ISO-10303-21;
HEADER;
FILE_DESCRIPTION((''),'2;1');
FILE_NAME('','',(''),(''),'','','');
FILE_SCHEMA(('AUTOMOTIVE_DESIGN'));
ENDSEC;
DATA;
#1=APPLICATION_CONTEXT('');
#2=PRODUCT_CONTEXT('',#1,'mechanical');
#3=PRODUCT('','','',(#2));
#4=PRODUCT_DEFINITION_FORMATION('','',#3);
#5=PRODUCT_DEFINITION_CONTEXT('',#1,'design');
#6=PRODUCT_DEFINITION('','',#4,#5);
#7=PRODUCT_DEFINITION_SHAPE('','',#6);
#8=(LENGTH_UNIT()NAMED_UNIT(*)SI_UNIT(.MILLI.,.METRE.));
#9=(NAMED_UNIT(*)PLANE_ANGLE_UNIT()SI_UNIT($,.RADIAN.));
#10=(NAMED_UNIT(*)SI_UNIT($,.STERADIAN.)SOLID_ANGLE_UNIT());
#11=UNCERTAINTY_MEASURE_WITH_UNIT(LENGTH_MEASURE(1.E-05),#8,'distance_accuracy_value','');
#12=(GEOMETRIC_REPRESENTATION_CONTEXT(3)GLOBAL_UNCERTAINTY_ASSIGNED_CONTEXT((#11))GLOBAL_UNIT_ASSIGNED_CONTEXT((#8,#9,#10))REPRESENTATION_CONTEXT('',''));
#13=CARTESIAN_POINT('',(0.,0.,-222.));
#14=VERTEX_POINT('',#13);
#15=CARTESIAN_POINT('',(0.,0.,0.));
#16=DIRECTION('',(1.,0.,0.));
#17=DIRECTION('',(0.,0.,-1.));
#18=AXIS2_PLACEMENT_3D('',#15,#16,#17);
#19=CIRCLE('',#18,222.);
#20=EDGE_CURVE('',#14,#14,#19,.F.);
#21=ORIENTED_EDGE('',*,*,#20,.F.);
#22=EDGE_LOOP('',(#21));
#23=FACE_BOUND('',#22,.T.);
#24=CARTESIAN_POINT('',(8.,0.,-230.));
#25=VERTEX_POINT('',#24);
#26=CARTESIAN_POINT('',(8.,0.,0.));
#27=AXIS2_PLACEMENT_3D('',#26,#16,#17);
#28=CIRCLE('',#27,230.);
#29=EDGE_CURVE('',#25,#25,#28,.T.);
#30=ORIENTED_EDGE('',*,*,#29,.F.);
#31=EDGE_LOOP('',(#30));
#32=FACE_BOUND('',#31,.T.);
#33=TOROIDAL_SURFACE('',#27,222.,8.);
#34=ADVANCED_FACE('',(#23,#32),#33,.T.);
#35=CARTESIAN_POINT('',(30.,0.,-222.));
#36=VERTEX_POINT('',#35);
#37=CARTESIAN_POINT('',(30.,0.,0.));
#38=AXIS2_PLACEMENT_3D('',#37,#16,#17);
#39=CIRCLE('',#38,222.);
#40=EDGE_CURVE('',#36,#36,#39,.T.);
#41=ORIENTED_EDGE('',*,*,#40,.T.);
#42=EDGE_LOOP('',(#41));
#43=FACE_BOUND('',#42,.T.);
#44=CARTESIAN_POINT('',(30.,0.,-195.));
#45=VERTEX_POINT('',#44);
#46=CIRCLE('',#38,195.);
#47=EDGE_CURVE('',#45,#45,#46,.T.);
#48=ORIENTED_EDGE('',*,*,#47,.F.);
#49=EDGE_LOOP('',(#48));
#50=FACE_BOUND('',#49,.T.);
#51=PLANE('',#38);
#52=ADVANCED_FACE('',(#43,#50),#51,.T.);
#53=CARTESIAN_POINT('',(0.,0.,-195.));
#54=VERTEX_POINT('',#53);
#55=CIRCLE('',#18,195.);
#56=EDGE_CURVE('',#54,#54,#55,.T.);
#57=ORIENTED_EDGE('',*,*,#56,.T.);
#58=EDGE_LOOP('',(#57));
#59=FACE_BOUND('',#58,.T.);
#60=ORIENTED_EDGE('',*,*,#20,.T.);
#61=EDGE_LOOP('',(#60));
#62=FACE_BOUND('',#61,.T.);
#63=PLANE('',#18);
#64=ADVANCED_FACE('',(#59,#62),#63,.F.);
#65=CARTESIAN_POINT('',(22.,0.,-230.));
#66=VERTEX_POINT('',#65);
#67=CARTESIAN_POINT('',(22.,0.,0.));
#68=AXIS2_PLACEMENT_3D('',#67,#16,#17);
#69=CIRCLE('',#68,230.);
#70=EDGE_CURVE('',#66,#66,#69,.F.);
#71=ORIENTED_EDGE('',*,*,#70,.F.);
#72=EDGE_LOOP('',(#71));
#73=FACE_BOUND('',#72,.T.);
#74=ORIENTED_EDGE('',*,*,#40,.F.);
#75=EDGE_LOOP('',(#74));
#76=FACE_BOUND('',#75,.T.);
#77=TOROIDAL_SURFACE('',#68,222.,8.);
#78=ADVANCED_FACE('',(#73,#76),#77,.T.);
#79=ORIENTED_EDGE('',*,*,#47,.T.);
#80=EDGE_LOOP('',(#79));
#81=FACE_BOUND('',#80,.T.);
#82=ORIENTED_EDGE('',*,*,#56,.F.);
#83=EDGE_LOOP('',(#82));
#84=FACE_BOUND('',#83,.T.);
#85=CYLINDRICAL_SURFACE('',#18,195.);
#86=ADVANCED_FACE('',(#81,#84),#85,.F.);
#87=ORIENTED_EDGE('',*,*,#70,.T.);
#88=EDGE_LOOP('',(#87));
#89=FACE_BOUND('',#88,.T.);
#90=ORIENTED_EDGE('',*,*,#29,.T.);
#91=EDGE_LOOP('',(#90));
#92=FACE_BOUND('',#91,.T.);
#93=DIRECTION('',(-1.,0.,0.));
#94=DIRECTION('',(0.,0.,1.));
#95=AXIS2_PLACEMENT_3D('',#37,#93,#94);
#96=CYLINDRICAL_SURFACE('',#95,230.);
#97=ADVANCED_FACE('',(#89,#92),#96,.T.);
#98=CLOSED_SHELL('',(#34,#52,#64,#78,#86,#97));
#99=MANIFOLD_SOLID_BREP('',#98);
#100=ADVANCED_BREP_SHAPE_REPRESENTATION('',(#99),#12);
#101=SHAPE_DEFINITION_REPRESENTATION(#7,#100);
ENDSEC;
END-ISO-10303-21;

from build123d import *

# Parameters (mm, degrees)
SKETCH1_R           = 230
BOSS_EXTRUDE1_DEPTH = 30
FILLET1_R           = 8
SKETCH2_R           = 195
CUT_EXTRUDE1_DEPTH  = 327.649659421


with BuildPart() as part:
    # Sketch1 → Boss-Extrude1 (new body)
    with BuildSketch(Plane(origin=(0, 0, 0), x_dir=(0, 0, -1), z_dir=(1, 0, 0))):
        Circle(SKETCH1_R)
    extrude(amount=BOSS_EXTRUDE1_DEPTH)

    # Fillet1
    fillet1_edges = [part.edges().sort_by_distance(p)[0] for p in [
        (0, 0, 230),
        (30, 0, 230),
    ]]
    fillet(fillet1_edges, radius=FILLET1_R)

    # Sketch2 → Cut-Extrude1 (cut, through all)
    with BuildSketch(Plane(origin=(30, 0, 0), x_dir=(0, 0, -1), z_dir=(1, 0, 0))):
        Circle(SKETCH2_R)
    extrude(amount=-CUT_EXTRUDE1_DEPTH, mode=Mode.SUBTRACT)


solid = part.part
